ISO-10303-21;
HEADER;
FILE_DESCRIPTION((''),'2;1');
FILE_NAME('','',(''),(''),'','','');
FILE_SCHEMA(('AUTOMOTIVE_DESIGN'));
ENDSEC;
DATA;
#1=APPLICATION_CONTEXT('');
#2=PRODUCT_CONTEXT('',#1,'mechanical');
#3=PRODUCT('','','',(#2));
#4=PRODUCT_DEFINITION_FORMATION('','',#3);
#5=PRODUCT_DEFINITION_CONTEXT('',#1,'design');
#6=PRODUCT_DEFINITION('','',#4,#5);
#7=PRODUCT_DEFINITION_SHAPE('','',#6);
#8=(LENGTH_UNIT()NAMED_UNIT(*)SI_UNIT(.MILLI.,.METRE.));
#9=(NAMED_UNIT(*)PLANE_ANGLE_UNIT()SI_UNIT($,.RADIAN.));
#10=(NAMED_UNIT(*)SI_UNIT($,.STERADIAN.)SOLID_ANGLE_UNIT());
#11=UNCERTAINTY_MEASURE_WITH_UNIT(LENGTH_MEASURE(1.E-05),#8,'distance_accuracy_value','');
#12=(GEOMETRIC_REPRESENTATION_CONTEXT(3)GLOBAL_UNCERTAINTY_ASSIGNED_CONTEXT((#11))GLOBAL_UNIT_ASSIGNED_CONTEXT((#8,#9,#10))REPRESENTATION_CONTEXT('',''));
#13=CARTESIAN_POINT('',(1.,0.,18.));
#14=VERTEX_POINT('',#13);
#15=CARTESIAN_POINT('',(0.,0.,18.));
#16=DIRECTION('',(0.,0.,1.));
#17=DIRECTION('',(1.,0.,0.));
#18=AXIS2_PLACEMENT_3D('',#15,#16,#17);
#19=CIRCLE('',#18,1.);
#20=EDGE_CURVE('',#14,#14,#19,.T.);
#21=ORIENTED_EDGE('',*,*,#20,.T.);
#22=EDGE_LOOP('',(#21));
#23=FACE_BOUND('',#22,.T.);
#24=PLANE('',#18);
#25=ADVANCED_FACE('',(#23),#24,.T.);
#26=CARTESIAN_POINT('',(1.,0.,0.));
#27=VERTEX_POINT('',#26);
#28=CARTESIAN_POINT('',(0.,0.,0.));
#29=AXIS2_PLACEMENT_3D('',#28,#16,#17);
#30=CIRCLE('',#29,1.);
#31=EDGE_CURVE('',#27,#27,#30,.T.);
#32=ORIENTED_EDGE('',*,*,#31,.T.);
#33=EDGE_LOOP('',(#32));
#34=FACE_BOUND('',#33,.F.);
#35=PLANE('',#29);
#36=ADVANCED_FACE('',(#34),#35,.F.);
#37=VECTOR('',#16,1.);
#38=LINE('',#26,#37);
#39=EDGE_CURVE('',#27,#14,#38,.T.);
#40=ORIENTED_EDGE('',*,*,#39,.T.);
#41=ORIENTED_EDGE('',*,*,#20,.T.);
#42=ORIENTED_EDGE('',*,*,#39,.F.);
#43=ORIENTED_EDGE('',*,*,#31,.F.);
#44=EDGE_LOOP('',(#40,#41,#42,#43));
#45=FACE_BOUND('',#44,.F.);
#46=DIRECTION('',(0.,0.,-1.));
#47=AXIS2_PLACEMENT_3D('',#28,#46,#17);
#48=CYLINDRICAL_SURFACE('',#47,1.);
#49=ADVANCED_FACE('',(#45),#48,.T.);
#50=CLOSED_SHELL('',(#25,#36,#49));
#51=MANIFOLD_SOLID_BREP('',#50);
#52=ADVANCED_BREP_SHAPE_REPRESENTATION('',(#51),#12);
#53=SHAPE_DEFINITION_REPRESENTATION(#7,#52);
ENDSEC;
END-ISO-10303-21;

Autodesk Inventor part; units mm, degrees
ref_plane "YZ Plane" through (0, 0, 0) normal (1, 0, 0) x (0, 1, 0)
ref_plane "XZ Plane" through (0, 0, 0) normal (0, 1, 0) x (-1, 0, 0)
ref_plane "XY Plane" through (0, 0, 0) normal (0, 0, 1) x (1, 0, 0)
sketch "スケッチ1" plane through (0, 0, 0) normal (0, 0, 1) x (1, 0, 0)
  circle A0 centre (0, 0) radius 1
  dimension "d0" = 2
extrude "押し出し1" add sketch "スケッチ1" along normal blind 18
properties part number "Φ2×18" material "アルミニウム 7075"
